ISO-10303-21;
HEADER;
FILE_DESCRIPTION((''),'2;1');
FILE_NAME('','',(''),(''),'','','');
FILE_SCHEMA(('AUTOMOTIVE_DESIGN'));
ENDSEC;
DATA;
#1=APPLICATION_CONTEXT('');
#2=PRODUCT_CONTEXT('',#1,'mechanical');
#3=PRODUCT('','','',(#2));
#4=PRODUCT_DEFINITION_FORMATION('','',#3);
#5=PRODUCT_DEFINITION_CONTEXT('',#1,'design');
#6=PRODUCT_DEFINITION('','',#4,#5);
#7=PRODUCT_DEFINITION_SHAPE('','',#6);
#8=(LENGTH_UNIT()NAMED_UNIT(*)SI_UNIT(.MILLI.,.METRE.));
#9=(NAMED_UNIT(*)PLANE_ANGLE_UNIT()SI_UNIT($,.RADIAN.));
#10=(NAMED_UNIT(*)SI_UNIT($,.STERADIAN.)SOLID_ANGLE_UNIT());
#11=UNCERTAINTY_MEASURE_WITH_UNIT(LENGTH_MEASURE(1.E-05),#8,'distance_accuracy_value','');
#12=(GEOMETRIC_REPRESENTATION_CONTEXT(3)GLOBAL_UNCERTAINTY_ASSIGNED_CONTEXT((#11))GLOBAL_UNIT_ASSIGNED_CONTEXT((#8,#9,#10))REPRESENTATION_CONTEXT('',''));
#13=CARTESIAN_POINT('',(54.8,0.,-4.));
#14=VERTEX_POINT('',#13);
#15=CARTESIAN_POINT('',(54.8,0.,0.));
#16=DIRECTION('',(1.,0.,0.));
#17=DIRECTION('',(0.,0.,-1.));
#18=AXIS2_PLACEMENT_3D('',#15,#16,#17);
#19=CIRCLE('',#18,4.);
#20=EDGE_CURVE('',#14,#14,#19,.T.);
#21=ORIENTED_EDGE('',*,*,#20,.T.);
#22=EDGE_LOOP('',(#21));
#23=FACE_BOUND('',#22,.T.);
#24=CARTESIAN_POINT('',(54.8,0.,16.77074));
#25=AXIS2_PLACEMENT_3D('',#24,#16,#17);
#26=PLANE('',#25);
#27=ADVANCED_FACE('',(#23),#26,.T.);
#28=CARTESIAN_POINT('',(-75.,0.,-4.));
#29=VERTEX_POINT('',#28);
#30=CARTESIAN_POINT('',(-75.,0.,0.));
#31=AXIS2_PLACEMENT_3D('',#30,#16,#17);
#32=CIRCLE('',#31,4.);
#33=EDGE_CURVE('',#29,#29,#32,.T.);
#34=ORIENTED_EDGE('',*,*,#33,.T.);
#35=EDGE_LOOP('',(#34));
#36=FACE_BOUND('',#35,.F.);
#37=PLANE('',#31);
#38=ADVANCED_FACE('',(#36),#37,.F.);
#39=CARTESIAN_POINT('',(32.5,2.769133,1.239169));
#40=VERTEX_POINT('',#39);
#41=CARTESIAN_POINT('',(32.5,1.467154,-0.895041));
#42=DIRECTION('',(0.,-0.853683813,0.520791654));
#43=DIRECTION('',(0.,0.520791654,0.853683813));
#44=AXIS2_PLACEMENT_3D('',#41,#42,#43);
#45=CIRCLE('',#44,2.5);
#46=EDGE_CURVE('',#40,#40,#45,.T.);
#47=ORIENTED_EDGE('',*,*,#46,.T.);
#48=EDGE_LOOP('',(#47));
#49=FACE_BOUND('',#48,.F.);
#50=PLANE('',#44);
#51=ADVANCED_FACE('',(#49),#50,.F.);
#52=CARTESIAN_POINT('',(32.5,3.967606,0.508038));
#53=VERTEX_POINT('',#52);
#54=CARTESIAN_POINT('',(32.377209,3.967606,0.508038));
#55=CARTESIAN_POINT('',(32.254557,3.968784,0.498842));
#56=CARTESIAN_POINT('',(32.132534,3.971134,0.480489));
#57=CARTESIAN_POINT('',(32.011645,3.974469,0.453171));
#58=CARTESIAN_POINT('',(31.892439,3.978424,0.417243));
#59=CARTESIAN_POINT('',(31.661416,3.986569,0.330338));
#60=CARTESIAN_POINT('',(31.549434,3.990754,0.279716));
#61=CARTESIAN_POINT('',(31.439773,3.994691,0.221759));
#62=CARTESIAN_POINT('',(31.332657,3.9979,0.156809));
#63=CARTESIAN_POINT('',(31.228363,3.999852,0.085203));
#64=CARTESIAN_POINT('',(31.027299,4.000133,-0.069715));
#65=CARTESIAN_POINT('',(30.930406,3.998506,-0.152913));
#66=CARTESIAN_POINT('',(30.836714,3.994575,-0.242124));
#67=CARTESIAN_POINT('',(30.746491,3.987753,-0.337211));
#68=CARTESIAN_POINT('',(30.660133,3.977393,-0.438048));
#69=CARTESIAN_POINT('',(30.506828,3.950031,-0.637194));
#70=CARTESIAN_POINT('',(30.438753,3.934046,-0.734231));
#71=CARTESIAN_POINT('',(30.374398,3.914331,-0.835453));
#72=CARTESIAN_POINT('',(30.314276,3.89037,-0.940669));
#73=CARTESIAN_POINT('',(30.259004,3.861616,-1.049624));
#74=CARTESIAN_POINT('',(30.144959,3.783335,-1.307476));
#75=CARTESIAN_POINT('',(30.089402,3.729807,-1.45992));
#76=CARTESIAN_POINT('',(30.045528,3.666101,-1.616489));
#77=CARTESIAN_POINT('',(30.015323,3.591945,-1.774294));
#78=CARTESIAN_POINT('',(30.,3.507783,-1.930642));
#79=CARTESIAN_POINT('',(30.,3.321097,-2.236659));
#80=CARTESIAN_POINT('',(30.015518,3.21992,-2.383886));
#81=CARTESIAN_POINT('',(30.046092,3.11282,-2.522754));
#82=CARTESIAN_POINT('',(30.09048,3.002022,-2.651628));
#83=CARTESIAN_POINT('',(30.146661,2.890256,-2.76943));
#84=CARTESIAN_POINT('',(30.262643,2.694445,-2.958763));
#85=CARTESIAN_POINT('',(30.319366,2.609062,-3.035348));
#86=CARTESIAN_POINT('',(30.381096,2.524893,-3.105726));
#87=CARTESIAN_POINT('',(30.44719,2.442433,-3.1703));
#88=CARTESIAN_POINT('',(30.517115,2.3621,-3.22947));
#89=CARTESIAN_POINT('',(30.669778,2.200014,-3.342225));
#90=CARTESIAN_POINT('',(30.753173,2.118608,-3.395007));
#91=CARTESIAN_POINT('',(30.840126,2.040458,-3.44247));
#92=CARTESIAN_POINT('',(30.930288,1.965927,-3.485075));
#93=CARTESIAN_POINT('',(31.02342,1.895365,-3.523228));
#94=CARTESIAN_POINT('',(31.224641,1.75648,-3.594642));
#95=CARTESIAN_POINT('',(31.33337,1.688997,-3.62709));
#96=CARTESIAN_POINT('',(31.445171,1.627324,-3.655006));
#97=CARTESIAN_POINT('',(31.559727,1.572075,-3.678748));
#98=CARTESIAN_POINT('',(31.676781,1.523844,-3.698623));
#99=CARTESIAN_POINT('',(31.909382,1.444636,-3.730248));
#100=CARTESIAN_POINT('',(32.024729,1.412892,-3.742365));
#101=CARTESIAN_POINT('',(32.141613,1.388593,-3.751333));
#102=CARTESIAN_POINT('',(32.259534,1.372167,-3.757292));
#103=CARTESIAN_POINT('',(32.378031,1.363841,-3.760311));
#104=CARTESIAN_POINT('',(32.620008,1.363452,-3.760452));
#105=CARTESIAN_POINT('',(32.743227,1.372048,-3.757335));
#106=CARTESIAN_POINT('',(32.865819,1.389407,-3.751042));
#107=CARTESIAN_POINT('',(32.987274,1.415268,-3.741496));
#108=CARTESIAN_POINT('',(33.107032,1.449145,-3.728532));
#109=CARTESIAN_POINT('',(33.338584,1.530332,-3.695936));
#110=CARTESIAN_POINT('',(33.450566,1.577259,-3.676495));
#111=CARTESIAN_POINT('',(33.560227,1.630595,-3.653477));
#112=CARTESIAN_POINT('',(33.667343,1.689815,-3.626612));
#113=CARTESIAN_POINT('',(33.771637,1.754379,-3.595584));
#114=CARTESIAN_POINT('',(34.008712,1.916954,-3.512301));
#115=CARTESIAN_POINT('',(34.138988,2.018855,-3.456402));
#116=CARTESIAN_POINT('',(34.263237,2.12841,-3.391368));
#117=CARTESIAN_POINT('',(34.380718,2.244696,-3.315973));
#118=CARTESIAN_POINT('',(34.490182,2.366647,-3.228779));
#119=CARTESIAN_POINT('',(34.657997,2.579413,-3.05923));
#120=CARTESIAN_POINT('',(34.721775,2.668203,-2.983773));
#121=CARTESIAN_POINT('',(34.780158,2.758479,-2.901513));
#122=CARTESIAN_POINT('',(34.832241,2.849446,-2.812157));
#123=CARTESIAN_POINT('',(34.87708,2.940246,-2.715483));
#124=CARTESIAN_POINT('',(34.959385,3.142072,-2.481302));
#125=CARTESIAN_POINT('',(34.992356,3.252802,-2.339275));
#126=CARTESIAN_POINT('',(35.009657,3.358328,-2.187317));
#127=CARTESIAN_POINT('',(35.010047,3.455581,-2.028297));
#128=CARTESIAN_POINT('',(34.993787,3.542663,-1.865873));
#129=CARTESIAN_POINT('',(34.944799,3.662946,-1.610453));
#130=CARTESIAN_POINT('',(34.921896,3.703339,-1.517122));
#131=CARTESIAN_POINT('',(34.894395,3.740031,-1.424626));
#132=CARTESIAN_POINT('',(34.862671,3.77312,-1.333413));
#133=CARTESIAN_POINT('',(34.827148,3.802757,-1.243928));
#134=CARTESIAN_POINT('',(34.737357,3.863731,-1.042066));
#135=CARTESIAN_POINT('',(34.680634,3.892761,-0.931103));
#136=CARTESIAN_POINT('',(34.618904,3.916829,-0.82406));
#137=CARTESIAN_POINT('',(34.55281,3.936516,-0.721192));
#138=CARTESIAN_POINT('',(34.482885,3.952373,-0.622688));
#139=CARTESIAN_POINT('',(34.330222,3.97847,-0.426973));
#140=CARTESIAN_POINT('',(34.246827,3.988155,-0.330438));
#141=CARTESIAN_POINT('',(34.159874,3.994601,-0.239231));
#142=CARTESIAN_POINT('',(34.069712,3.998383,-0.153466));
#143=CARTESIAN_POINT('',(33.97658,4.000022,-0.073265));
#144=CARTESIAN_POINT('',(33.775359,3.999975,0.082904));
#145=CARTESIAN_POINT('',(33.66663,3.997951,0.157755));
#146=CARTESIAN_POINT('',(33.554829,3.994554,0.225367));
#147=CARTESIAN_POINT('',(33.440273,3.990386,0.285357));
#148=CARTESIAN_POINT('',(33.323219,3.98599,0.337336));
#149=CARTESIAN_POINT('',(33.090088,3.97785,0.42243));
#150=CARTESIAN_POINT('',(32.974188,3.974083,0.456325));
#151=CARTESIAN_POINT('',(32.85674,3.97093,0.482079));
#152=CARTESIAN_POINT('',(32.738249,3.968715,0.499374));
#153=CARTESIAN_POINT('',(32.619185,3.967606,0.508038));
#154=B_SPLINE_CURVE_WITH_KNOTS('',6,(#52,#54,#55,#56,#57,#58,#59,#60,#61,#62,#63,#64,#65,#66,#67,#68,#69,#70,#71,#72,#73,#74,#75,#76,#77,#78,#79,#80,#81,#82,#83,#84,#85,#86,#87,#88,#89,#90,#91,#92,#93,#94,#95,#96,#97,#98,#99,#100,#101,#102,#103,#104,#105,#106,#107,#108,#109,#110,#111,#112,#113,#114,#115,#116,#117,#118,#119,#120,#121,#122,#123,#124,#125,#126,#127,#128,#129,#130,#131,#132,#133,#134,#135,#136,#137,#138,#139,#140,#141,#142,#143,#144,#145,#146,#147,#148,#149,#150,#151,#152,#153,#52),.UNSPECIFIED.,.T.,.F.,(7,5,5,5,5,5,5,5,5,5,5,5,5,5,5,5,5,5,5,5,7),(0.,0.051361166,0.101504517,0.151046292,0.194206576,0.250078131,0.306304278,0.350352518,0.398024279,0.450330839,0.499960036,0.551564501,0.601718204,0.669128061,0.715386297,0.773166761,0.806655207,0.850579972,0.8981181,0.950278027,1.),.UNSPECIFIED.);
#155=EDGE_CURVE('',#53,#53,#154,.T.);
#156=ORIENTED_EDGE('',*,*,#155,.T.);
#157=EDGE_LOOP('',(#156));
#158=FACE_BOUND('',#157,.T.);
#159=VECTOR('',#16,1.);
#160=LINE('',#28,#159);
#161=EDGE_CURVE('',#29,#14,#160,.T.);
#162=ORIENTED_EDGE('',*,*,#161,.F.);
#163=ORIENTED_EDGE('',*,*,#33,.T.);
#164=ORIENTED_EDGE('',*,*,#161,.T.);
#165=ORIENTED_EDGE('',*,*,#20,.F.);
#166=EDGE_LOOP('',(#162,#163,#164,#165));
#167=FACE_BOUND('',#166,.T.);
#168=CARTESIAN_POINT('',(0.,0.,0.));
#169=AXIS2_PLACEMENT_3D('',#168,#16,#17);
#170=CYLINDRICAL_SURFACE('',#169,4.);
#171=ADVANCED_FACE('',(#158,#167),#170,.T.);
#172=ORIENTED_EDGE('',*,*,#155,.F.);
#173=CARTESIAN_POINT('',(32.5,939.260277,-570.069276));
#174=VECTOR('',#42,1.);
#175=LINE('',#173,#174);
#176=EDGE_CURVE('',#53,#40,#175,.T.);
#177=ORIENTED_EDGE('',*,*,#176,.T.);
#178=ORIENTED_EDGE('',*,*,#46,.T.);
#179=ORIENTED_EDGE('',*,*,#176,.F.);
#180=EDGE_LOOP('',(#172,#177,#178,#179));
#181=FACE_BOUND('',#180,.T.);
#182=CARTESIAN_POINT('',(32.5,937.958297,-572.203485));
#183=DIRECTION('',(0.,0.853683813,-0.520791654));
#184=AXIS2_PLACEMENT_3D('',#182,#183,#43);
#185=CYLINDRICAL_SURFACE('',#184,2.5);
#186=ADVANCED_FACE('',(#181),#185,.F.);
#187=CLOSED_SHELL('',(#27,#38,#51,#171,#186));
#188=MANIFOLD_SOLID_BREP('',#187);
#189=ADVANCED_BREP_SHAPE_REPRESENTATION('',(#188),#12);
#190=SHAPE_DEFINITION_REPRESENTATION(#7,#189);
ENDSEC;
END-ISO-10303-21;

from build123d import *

# Parameters (mm, degrees)
SKETCH1_R           = 4
BOSS_EXTRUDE1_DEPTH = 75
SKETCH2_R           = 2.5
CUT_EXTRUDE1_DEPTH  = 1097
SKETCH3_W           = 40.4
SKETCH3_H           = 41.541480206
CUT_EXTRUDE2_DEPTH  = 5


with BuildPart() as part:
    # Sketch1 → Boss-Extrude1 (new body, symmetric)
    with BuildSketch(Plane(origin=(0, 0, 0), x_dir=(0, 0, -1), z_dir=(1, 0, 0))):
        Circle(SKETCH1_R)
    extrude(amount=BOSS_EXTRUDE1_DEPTH, both=True)

    # Sketch2 → Cut-Extrude1 (cut)
    with BuildSketch(Plane(origin=(-1373.627106081, 398.034078038, -1457.249478015), x_dir=(0, 0.520791654, 0.853683813), z_dir=(0, -0.853683813, 0.520791654))):
        with Locations((1036.737465208, -1406.127106081)):
            Circle(SKETCH2_R)
    extrude(amount=CUT_EXTRUDE1_DEPTH, mode=Mode.SUBTRACT)

    # Sketch3 → Cut-Extrude2 (cut, symmetric)
    with BuildSketch(Plane(origin=(0, 0, 0), x_dir=(1, 0, 0), z_dir=(0, 1, 0))):
        with Locations((75, 4)):
            Rectangle(SKETCH3_W, SKETCH3_H)
    extrude(amount=CUT_EXTRUDE2_DEPTH, both=True, mode=Mode.SUBTRACT)


solid = part.part
